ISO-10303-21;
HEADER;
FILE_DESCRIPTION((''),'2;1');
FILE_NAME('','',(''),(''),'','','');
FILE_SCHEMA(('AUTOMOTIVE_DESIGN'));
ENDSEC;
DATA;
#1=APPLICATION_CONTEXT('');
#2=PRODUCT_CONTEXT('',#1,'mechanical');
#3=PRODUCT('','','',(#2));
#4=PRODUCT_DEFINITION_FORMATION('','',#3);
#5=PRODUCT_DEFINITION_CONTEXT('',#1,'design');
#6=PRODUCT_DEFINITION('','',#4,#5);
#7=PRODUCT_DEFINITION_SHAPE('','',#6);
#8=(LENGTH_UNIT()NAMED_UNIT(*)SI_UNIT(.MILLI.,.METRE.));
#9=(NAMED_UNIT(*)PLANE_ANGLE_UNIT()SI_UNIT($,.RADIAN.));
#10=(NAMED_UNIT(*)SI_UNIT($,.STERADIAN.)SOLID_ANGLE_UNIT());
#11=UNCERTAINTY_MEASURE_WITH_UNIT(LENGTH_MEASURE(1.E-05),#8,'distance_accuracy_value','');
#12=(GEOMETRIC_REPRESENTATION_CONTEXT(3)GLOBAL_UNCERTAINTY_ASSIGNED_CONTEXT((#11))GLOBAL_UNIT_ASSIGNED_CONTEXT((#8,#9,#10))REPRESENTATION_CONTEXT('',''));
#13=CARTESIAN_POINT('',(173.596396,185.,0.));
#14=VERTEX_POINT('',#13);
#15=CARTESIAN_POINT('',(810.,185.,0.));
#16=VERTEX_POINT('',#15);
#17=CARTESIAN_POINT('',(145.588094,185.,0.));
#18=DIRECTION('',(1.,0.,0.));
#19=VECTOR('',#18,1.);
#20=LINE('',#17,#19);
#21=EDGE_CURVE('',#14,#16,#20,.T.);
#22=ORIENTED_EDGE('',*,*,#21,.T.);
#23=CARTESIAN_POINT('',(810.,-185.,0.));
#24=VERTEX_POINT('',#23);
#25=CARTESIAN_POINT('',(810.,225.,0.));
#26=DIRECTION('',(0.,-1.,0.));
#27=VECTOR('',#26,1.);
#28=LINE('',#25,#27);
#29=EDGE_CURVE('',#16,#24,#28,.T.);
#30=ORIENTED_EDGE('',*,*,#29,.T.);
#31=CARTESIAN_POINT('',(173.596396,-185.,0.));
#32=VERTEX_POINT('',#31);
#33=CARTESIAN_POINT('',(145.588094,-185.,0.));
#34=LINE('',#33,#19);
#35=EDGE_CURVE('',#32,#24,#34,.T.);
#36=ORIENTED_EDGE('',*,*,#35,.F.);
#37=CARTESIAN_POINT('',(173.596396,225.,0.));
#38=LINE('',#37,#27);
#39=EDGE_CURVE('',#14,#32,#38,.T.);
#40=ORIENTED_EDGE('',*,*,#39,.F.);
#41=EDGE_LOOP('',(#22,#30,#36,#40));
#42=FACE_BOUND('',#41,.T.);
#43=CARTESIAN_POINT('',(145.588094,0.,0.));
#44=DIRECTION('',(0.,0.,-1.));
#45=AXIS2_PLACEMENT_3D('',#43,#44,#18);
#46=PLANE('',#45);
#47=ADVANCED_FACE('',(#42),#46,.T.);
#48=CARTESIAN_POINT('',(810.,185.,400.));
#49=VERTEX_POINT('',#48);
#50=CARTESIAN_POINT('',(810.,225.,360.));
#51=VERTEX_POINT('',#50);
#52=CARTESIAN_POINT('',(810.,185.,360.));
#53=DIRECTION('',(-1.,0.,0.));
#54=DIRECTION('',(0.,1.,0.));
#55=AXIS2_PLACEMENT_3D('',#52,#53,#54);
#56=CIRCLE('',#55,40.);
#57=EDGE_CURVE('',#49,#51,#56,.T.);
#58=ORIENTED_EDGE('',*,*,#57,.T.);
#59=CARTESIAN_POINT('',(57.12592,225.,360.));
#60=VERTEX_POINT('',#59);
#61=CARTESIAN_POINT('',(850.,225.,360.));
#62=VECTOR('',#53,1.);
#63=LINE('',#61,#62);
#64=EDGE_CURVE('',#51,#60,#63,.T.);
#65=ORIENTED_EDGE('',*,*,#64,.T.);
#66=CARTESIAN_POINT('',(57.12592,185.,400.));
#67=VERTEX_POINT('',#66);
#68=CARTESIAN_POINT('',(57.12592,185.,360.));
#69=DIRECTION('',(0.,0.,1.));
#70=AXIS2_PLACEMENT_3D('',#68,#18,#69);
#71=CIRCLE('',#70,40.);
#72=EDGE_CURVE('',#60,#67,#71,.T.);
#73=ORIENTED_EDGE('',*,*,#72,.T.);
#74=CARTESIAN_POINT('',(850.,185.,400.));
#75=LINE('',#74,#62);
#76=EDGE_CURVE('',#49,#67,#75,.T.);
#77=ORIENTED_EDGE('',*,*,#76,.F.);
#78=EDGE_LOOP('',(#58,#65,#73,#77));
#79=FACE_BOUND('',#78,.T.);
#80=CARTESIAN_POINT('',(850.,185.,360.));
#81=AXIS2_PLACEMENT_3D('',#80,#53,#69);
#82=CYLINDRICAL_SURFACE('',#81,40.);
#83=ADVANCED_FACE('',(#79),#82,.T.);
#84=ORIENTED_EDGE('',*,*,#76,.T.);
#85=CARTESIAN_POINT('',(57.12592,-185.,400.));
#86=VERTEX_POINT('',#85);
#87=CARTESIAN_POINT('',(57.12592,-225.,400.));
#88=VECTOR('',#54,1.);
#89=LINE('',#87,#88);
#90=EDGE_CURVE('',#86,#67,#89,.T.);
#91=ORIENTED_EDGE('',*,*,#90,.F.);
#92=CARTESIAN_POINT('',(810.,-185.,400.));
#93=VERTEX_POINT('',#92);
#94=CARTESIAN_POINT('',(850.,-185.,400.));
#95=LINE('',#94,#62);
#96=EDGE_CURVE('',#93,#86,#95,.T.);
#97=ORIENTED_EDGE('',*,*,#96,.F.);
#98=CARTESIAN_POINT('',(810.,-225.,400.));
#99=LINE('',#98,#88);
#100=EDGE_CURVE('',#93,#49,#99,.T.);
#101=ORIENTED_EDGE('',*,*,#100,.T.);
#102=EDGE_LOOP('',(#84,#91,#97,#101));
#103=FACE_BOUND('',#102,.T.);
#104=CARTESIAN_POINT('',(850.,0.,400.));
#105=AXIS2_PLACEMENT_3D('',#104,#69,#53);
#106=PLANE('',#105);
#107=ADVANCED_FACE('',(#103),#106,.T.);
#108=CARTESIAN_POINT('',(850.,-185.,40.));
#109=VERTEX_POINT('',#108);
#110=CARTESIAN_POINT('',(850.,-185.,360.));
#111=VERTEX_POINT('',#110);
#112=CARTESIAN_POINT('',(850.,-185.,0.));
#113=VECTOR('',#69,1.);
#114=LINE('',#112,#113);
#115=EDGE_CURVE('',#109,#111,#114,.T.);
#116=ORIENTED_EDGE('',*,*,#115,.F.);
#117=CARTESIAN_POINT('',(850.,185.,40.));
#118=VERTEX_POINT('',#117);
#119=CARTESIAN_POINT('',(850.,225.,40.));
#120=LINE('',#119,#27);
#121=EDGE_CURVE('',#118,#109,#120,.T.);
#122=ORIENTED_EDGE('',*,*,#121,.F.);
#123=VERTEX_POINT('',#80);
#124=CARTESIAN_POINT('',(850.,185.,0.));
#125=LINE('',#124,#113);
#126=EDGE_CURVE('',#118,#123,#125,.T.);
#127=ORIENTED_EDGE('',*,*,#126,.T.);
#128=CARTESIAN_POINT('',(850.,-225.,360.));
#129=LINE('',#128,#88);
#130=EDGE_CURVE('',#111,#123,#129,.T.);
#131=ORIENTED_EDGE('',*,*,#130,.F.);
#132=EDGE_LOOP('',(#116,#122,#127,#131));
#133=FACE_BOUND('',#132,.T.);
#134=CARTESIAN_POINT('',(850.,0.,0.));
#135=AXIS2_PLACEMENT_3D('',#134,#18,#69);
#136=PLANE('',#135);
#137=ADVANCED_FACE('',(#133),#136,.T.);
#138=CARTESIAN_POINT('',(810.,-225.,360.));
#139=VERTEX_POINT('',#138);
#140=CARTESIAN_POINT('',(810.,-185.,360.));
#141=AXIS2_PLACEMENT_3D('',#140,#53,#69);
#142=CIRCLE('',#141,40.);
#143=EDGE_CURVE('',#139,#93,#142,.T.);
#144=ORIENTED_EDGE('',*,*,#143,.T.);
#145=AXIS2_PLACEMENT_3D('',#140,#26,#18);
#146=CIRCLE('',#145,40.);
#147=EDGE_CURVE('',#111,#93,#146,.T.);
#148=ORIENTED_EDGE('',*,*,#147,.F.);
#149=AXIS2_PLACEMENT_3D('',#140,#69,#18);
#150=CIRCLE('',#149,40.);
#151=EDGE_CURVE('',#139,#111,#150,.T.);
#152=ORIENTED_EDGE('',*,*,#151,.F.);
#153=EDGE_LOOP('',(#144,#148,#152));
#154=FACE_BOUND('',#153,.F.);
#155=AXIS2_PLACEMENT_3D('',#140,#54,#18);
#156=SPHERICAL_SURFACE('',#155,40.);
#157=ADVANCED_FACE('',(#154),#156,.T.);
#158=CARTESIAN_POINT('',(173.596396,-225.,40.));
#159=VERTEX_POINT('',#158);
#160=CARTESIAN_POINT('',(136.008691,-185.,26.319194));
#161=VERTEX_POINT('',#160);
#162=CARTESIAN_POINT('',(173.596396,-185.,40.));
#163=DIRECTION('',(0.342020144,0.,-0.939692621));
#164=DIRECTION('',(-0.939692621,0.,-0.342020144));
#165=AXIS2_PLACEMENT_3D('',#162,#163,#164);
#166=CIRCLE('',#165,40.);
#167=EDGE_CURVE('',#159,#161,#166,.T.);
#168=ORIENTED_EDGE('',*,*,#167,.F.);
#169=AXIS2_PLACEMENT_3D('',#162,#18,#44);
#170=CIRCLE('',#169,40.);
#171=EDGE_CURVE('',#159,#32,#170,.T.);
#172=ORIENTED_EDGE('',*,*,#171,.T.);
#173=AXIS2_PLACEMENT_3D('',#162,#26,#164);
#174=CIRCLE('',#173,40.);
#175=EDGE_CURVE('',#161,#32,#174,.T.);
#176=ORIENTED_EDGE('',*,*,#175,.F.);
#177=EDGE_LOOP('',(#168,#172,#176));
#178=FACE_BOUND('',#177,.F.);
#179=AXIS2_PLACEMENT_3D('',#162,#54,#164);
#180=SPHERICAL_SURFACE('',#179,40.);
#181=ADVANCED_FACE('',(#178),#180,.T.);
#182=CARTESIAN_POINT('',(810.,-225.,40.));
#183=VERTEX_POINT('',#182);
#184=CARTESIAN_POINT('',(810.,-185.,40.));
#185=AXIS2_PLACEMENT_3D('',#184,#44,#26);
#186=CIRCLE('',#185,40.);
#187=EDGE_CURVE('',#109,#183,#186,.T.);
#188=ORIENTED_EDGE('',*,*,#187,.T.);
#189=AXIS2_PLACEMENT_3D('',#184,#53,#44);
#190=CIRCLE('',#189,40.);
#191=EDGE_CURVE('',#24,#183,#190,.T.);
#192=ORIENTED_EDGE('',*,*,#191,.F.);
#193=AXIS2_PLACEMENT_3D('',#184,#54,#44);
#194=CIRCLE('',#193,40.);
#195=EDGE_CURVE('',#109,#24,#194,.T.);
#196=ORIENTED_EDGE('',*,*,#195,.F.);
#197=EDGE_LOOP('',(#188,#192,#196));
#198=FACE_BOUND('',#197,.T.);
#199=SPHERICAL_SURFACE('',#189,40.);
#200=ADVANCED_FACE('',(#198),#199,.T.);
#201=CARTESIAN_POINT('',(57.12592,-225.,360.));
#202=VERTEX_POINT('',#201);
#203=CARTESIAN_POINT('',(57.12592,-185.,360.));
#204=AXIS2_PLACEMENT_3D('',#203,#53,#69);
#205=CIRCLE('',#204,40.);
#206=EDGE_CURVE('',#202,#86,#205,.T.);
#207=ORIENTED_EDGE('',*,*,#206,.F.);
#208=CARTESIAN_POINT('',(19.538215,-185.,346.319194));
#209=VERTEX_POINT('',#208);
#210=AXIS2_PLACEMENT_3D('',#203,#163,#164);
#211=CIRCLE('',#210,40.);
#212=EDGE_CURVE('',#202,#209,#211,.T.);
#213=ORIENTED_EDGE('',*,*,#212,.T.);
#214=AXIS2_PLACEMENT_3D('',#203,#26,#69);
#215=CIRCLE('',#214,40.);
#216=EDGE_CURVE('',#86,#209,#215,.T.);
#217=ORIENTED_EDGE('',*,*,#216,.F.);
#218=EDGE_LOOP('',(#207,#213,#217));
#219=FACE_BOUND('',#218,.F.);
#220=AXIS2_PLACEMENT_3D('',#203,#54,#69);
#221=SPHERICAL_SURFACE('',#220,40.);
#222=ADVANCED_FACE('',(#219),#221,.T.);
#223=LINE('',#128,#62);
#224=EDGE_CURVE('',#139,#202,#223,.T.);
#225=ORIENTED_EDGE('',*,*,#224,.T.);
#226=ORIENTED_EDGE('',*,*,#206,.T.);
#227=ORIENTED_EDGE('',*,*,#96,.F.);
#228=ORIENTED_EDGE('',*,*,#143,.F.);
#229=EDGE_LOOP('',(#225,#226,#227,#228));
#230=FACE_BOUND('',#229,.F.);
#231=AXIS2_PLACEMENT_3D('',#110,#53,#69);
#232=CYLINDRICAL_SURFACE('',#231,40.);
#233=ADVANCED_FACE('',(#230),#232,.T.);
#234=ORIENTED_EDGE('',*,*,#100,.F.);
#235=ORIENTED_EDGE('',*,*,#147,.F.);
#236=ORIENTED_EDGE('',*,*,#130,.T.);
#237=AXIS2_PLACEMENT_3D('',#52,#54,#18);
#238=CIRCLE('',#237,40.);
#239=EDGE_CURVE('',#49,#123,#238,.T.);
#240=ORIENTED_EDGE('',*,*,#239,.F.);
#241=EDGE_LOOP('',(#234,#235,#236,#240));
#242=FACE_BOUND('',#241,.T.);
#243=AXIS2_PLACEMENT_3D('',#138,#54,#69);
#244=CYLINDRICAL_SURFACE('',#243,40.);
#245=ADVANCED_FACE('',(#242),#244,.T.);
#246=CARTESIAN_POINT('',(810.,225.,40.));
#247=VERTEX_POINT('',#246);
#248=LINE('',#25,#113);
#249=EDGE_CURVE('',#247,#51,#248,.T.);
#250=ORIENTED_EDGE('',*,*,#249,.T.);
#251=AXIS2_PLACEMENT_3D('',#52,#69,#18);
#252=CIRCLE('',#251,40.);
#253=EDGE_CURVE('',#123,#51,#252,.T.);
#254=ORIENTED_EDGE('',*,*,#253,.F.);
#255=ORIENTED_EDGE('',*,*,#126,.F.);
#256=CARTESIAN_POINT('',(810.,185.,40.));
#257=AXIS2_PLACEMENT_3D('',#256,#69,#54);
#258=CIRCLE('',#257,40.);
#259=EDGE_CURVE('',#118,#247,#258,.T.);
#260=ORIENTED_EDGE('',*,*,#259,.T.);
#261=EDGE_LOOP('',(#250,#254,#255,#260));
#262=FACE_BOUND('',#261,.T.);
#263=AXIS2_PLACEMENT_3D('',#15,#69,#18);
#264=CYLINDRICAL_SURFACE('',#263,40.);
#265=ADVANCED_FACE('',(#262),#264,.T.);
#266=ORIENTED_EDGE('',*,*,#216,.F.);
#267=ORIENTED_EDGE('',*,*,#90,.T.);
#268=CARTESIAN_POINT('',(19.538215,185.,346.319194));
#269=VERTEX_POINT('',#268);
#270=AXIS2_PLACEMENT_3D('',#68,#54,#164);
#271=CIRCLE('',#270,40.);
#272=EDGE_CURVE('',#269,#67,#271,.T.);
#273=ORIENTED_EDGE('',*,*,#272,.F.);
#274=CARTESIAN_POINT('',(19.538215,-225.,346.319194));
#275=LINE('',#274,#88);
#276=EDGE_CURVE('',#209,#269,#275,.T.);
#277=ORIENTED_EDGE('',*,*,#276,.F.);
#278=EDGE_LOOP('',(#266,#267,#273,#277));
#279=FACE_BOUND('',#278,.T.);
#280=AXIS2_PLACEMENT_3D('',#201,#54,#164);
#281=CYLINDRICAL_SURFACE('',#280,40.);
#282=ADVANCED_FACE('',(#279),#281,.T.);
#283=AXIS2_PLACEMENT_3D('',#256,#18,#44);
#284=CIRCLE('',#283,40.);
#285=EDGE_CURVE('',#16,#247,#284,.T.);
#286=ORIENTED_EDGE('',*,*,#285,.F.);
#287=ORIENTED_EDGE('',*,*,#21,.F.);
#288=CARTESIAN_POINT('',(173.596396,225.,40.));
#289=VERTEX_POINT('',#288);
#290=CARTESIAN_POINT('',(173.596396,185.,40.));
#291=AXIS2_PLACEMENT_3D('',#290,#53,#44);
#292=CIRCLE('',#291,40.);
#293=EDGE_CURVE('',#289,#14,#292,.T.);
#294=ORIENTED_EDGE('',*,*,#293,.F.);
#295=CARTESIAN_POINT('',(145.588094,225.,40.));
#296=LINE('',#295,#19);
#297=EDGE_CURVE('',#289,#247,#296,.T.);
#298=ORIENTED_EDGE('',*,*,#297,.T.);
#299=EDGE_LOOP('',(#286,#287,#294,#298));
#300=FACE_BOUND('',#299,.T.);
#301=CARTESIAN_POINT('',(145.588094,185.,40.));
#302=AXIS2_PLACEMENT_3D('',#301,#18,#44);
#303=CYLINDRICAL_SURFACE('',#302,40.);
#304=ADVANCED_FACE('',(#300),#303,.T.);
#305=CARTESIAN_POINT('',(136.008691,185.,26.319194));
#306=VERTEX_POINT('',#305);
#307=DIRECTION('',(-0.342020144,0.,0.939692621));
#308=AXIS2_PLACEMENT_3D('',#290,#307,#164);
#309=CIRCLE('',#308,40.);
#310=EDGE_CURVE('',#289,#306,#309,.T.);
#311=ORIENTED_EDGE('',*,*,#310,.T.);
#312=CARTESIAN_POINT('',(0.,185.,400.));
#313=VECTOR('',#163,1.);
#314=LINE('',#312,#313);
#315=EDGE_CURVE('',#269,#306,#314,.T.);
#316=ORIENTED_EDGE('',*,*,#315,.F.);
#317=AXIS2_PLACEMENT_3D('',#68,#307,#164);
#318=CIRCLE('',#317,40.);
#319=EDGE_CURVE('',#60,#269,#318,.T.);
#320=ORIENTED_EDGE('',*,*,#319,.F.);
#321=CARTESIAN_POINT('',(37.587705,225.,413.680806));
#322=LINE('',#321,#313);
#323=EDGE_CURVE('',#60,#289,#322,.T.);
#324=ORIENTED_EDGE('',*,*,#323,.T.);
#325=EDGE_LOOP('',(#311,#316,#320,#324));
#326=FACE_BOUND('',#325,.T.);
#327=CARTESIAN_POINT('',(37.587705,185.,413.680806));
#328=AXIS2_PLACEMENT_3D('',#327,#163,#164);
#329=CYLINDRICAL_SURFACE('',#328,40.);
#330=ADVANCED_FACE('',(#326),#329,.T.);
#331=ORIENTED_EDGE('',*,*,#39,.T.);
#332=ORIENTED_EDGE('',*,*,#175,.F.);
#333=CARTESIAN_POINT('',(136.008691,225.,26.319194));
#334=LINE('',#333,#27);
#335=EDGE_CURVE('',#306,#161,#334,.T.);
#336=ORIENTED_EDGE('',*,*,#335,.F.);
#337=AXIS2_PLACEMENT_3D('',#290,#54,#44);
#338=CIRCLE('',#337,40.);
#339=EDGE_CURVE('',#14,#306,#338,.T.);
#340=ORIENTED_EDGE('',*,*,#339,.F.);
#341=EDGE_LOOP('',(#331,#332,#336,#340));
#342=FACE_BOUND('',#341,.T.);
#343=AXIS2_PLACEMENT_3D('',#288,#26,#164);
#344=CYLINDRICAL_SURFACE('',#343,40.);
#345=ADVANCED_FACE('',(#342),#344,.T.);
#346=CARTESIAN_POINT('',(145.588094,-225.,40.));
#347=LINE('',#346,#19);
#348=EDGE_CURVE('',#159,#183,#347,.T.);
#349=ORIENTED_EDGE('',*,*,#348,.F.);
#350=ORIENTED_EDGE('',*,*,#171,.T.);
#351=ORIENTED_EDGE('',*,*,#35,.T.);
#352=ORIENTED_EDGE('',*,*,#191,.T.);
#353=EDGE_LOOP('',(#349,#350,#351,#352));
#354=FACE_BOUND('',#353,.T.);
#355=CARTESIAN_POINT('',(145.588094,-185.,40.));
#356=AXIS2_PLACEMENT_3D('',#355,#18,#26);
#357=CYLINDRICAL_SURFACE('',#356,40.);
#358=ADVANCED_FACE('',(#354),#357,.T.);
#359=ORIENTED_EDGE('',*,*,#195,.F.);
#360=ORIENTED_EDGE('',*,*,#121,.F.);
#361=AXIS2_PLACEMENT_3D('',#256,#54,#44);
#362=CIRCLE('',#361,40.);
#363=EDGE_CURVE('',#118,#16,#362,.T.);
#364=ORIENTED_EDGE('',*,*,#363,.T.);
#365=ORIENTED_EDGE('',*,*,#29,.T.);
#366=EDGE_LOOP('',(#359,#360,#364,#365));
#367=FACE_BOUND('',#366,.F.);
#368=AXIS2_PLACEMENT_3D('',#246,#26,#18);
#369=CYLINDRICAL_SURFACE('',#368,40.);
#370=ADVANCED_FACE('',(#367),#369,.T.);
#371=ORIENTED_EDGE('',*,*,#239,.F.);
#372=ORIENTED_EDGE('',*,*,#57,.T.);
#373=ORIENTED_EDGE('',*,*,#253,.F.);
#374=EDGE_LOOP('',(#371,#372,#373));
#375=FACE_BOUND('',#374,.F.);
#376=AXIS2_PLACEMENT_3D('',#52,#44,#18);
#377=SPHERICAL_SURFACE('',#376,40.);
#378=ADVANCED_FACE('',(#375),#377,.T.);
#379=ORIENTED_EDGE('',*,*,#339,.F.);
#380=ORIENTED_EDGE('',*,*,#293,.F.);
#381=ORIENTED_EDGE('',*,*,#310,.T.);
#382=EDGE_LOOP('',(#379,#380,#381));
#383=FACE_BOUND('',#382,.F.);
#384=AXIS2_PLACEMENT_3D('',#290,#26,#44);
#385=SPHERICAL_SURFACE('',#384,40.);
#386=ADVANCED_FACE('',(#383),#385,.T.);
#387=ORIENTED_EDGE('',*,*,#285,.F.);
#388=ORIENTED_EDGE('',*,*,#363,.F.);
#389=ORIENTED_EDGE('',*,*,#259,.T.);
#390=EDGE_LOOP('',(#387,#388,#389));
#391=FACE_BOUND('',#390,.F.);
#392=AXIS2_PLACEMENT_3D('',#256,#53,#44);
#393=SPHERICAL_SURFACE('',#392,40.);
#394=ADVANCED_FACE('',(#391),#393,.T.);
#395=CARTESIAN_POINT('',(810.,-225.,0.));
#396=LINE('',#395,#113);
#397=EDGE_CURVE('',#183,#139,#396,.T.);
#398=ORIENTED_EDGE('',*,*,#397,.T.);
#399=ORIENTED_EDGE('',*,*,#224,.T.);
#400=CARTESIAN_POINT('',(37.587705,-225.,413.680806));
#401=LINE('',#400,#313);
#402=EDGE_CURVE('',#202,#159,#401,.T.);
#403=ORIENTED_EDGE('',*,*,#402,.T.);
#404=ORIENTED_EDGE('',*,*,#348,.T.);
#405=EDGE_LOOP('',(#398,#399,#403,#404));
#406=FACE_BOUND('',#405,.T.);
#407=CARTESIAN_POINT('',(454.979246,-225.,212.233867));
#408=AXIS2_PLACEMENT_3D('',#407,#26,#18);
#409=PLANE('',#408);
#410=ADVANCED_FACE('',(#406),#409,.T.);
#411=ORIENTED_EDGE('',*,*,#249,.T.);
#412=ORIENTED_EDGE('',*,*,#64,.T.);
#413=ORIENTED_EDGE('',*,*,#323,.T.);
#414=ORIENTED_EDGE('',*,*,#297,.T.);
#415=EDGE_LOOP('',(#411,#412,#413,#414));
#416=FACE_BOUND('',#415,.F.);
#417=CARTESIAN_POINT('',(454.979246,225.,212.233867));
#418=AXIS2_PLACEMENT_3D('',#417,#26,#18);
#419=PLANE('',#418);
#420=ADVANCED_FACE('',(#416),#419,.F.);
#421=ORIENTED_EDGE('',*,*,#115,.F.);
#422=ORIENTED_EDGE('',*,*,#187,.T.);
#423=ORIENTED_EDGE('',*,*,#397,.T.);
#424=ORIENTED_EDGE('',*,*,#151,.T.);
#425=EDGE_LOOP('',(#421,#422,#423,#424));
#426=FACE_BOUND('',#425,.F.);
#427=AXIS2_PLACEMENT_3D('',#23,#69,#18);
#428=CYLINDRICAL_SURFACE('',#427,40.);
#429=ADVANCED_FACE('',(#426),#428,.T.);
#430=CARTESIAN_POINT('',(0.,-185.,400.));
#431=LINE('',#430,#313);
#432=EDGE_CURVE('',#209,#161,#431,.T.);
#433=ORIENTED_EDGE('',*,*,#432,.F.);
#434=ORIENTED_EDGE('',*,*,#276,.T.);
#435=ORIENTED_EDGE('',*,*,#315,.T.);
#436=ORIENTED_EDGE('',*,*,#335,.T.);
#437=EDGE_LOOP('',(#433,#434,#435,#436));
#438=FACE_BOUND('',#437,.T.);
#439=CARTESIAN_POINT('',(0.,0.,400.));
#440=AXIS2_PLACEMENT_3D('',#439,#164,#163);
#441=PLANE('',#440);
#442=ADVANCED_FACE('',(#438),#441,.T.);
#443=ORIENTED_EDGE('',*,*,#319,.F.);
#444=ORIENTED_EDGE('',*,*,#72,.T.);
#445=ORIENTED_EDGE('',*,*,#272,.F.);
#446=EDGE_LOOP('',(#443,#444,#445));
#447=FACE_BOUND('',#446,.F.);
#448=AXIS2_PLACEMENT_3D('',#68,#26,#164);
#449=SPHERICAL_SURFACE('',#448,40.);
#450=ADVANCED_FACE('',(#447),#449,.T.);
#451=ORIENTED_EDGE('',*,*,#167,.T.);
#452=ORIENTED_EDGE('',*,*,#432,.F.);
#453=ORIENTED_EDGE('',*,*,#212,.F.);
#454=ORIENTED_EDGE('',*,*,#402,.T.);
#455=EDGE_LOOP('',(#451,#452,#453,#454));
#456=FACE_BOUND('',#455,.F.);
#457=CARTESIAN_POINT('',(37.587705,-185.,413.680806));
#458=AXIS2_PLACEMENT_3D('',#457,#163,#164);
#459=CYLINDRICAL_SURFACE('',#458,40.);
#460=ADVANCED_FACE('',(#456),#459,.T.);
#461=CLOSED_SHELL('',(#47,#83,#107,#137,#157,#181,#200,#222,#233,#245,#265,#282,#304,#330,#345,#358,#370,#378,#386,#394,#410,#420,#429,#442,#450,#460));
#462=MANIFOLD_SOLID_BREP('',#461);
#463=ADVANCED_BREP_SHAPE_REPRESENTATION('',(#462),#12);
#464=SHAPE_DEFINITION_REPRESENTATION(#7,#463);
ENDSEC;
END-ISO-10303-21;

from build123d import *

# Parameters (mm, degrees)
F1_DEPTH = 225
F2_R     = 40


with BuildPart() as f1:
    # F0 (on Front) → F1 (new body, symmetric)
    with BuildSketch(Plane.XZ):
        Polygon((0, 400), (145.588094, 0), (850, 0), (850, 400), align=None)
    extrude(amount=F1_DEPTH, both=True)

    # F2
    f2_edges = [f1.edges().sort_by_distance(p)[0] for p in [
        (497.794047, -225, 0),
        (145.588094, 0, 0),
        (497.794047, 225, 0),
        (850, 0, 0),
        (72.794047, -225, 200),
        (850, 225, 200),
        (850, 0, 400),
        (850, -225, 200),
        (425, 225, 400),
        (0, 0, 400),
        (425, -225, 400),
        (72.794047, 225, 200),
    ]]
    fillet(f2_edges, radius=F2_R)


solid = f1.part
